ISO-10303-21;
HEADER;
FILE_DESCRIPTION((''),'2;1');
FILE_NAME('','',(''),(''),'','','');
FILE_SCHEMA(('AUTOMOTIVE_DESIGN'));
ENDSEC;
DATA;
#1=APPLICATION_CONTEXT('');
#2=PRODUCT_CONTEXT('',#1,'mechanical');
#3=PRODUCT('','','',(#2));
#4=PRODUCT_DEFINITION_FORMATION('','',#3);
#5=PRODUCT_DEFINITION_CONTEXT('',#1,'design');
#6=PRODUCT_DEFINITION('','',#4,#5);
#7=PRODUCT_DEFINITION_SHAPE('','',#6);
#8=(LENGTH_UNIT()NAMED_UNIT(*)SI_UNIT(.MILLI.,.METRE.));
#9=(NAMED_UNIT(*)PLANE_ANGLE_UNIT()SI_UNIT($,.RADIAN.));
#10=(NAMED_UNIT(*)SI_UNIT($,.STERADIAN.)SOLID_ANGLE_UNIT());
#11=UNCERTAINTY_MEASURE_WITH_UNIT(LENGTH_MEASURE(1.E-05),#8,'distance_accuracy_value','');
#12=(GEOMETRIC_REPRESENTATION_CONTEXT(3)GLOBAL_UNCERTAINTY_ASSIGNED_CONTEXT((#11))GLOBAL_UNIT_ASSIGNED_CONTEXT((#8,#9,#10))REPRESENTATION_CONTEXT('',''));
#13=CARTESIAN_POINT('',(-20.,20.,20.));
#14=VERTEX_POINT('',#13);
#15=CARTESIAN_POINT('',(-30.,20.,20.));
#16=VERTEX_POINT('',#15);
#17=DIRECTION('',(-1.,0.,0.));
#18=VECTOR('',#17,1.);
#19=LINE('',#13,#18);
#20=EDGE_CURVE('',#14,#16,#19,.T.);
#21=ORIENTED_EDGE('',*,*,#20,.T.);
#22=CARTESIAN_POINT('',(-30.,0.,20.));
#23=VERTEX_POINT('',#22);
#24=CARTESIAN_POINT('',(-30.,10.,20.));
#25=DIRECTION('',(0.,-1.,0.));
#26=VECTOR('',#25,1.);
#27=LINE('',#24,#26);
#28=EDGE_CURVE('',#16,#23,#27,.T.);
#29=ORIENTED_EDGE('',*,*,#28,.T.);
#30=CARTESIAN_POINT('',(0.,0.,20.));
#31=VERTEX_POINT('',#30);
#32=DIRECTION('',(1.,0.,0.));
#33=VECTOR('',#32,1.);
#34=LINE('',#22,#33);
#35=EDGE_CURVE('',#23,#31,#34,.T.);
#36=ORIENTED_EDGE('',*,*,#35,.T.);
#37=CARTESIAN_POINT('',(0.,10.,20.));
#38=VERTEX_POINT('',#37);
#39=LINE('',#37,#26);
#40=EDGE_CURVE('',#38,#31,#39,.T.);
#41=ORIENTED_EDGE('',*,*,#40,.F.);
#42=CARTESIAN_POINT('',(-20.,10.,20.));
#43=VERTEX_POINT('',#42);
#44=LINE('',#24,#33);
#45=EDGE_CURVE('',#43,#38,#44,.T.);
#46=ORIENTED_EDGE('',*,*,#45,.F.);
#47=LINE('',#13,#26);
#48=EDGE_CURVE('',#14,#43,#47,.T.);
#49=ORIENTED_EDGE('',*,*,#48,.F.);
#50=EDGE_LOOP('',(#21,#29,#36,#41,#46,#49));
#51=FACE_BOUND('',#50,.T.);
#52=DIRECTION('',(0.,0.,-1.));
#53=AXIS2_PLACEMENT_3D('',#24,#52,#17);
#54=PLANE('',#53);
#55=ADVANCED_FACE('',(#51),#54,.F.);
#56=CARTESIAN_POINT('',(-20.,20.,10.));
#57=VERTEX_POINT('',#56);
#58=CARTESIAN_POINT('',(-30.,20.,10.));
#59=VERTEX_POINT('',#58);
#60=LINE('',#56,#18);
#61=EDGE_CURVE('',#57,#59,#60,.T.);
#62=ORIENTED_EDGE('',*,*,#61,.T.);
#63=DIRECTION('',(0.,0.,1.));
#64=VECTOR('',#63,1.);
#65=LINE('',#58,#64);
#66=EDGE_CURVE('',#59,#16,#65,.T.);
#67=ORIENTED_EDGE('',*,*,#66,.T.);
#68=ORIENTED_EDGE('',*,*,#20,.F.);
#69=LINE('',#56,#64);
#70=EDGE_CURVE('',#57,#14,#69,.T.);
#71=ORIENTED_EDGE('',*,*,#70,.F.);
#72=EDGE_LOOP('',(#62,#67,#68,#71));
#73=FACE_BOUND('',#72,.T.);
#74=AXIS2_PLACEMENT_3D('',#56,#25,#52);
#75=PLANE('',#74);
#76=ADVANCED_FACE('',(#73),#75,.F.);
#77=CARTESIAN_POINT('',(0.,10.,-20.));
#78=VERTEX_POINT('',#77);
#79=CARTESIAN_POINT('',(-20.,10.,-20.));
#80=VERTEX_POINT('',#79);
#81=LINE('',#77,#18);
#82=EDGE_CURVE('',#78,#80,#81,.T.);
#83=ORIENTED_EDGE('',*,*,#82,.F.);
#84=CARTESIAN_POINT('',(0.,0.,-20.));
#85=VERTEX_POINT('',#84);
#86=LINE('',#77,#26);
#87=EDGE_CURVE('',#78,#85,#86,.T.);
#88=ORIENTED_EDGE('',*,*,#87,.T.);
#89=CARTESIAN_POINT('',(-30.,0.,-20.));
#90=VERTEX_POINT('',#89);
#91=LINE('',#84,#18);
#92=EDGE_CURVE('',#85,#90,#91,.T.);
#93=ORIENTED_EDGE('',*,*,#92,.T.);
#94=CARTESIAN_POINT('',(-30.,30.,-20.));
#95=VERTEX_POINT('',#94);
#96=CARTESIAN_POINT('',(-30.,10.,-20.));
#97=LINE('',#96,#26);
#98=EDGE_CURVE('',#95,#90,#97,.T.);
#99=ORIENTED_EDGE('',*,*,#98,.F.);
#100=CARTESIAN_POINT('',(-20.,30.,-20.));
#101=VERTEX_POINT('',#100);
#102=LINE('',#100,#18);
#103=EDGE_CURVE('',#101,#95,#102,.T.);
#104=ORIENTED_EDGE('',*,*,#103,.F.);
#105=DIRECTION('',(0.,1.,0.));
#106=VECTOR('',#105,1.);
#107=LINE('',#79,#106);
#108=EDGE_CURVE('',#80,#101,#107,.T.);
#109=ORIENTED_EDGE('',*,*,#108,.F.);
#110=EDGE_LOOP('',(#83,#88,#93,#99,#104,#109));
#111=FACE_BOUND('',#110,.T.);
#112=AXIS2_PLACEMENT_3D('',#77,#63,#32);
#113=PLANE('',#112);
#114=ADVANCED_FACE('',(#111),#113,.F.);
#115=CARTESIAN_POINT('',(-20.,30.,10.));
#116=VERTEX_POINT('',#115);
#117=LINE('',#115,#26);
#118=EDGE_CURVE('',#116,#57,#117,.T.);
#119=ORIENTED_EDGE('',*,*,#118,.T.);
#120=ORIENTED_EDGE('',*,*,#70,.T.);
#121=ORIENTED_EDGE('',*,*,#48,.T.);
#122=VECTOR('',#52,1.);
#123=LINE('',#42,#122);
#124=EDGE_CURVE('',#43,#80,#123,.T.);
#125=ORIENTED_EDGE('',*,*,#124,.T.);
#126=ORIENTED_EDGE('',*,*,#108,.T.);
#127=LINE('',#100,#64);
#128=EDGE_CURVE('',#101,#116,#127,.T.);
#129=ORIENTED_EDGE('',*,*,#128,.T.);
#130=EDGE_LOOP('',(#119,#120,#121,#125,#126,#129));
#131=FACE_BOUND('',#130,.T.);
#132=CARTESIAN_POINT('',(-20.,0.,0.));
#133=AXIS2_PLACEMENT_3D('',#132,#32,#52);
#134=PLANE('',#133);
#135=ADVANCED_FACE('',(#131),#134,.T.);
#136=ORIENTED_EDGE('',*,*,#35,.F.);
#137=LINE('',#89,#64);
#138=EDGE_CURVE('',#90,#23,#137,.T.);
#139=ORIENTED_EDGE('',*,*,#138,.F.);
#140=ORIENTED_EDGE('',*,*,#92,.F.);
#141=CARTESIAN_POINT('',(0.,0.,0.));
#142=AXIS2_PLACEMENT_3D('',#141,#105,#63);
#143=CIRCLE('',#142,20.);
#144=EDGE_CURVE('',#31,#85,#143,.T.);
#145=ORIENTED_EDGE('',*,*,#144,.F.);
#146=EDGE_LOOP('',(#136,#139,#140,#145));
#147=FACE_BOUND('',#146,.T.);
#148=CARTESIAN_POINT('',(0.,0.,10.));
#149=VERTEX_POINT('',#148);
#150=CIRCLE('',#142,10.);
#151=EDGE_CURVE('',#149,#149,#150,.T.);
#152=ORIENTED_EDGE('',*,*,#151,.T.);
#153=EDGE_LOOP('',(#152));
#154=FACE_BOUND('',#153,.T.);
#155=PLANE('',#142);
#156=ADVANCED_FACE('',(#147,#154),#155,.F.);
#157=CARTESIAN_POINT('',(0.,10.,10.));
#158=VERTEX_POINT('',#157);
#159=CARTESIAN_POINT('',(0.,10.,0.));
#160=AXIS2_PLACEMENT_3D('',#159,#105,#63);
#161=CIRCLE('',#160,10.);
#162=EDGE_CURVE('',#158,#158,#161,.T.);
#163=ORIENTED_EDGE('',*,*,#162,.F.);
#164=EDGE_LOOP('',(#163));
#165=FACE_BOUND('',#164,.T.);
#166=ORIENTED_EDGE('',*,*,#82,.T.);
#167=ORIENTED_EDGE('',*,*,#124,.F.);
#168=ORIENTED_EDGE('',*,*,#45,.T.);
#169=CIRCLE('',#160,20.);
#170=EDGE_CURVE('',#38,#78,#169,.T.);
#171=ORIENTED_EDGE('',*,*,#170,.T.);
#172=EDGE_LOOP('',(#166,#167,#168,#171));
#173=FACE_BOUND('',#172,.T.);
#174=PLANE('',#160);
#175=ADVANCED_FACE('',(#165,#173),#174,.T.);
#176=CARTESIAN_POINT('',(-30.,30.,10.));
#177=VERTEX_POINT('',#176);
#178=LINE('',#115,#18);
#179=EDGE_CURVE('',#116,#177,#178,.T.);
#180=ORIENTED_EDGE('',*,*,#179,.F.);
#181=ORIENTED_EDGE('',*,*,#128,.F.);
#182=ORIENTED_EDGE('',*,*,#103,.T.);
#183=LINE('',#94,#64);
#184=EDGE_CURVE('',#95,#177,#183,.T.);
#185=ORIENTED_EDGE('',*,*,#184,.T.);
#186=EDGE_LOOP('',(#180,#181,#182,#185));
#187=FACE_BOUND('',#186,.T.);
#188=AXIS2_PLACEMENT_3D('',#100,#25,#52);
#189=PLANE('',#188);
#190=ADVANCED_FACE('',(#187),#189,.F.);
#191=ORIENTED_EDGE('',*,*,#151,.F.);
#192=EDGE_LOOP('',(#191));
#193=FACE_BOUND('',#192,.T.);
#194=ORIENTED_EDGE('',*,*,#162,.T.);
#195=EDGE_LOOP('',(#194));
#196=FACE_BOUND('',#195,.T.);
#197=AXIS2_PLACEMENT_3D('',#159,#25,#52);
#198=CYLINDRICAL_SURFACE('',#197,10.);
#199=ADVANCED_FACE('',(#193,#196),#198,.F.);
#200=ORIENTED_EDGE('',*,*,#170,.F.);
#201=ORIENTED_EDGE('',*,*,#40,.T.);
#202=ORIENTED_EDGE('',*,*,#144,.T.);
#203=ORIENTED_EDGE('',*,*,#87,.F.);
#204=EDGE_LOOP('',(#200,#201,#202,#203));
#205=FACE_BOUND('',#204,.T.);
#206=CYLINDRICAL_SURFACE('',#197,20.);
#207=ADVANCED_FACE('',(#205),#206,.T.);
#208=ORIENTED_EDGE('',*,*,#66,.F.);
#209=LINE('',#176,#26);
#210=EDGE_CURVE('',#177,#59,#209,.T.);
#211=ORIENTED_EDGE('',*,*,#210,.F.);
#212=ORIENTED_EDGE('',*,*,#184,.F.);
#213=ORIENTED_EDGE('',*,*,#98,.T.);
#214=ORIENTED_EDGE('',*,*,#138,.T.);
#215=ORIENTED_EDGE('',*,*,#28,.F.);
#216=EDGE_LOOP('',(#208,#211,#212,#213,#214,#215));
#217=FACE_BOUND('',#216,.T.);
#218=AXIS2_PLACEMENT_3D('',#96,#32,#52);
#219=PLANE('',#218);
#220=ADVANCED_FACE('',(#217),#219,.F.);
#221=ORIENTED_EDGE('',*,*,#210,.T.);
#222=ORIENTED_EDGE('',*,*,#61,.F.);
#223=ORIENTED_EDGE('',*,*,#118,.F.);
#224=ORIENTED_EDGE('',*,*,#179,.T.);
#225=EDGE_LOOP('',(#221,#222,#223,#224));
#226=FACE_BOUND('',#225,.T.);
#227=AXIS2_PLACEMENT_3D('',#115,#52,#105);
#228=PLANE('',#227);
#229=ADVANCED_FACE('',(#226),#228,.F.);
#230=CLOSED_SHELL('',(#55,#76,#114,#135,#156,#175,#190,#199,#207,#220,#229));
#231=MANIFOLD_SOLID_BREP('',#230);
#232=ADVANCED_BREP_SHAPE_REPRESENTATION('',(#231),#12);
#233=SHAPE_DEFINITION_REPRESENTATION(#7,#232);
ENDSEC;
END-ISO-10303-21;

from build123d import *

# Parameters (mm, degrees)
SKETCH1_R           = 10
BOSS_EXTRUDE1_DEPTH = 10
BOSS_EXTRUDE2_DEPTH = 10


with BuildPart() as part:
    # Sketch1 → Boss-Extrude1 (new body)
    with BuildSketch(Plane(origin=(0, 0, 0), x_dir=(1, 0, 0), z_dir=(0, 1, 0))):
        with BuildLine():
            Line((0, 20), (-30, 20))
            Line((-30, 20), (-30, -20))
            Line((-30, -20), (0, -20))
            ThreePointArc((0, -20), (20, 0), (0, 20))
        make_face()
        with Locations(Location((0, 0, 0), (0, 0, 270))):
            Circle(SKETCH1_R, mode=Mode.SUBTRACT)
    extrude(amount=BOSS_EXTRUDE1_DEPTH)

    # Sketch2 → Boss-Extrude2 (add)
    with BuildSketch(Plane.ZY.offset(30)):
        Polygon((-20, 10), (-20, 30), (10, 30), (10, 20), (20, 20), (20, 10), align=None)
    extrude(amount=-BOSS_EXTRUDE2_DEPTH)


solid = part.part
